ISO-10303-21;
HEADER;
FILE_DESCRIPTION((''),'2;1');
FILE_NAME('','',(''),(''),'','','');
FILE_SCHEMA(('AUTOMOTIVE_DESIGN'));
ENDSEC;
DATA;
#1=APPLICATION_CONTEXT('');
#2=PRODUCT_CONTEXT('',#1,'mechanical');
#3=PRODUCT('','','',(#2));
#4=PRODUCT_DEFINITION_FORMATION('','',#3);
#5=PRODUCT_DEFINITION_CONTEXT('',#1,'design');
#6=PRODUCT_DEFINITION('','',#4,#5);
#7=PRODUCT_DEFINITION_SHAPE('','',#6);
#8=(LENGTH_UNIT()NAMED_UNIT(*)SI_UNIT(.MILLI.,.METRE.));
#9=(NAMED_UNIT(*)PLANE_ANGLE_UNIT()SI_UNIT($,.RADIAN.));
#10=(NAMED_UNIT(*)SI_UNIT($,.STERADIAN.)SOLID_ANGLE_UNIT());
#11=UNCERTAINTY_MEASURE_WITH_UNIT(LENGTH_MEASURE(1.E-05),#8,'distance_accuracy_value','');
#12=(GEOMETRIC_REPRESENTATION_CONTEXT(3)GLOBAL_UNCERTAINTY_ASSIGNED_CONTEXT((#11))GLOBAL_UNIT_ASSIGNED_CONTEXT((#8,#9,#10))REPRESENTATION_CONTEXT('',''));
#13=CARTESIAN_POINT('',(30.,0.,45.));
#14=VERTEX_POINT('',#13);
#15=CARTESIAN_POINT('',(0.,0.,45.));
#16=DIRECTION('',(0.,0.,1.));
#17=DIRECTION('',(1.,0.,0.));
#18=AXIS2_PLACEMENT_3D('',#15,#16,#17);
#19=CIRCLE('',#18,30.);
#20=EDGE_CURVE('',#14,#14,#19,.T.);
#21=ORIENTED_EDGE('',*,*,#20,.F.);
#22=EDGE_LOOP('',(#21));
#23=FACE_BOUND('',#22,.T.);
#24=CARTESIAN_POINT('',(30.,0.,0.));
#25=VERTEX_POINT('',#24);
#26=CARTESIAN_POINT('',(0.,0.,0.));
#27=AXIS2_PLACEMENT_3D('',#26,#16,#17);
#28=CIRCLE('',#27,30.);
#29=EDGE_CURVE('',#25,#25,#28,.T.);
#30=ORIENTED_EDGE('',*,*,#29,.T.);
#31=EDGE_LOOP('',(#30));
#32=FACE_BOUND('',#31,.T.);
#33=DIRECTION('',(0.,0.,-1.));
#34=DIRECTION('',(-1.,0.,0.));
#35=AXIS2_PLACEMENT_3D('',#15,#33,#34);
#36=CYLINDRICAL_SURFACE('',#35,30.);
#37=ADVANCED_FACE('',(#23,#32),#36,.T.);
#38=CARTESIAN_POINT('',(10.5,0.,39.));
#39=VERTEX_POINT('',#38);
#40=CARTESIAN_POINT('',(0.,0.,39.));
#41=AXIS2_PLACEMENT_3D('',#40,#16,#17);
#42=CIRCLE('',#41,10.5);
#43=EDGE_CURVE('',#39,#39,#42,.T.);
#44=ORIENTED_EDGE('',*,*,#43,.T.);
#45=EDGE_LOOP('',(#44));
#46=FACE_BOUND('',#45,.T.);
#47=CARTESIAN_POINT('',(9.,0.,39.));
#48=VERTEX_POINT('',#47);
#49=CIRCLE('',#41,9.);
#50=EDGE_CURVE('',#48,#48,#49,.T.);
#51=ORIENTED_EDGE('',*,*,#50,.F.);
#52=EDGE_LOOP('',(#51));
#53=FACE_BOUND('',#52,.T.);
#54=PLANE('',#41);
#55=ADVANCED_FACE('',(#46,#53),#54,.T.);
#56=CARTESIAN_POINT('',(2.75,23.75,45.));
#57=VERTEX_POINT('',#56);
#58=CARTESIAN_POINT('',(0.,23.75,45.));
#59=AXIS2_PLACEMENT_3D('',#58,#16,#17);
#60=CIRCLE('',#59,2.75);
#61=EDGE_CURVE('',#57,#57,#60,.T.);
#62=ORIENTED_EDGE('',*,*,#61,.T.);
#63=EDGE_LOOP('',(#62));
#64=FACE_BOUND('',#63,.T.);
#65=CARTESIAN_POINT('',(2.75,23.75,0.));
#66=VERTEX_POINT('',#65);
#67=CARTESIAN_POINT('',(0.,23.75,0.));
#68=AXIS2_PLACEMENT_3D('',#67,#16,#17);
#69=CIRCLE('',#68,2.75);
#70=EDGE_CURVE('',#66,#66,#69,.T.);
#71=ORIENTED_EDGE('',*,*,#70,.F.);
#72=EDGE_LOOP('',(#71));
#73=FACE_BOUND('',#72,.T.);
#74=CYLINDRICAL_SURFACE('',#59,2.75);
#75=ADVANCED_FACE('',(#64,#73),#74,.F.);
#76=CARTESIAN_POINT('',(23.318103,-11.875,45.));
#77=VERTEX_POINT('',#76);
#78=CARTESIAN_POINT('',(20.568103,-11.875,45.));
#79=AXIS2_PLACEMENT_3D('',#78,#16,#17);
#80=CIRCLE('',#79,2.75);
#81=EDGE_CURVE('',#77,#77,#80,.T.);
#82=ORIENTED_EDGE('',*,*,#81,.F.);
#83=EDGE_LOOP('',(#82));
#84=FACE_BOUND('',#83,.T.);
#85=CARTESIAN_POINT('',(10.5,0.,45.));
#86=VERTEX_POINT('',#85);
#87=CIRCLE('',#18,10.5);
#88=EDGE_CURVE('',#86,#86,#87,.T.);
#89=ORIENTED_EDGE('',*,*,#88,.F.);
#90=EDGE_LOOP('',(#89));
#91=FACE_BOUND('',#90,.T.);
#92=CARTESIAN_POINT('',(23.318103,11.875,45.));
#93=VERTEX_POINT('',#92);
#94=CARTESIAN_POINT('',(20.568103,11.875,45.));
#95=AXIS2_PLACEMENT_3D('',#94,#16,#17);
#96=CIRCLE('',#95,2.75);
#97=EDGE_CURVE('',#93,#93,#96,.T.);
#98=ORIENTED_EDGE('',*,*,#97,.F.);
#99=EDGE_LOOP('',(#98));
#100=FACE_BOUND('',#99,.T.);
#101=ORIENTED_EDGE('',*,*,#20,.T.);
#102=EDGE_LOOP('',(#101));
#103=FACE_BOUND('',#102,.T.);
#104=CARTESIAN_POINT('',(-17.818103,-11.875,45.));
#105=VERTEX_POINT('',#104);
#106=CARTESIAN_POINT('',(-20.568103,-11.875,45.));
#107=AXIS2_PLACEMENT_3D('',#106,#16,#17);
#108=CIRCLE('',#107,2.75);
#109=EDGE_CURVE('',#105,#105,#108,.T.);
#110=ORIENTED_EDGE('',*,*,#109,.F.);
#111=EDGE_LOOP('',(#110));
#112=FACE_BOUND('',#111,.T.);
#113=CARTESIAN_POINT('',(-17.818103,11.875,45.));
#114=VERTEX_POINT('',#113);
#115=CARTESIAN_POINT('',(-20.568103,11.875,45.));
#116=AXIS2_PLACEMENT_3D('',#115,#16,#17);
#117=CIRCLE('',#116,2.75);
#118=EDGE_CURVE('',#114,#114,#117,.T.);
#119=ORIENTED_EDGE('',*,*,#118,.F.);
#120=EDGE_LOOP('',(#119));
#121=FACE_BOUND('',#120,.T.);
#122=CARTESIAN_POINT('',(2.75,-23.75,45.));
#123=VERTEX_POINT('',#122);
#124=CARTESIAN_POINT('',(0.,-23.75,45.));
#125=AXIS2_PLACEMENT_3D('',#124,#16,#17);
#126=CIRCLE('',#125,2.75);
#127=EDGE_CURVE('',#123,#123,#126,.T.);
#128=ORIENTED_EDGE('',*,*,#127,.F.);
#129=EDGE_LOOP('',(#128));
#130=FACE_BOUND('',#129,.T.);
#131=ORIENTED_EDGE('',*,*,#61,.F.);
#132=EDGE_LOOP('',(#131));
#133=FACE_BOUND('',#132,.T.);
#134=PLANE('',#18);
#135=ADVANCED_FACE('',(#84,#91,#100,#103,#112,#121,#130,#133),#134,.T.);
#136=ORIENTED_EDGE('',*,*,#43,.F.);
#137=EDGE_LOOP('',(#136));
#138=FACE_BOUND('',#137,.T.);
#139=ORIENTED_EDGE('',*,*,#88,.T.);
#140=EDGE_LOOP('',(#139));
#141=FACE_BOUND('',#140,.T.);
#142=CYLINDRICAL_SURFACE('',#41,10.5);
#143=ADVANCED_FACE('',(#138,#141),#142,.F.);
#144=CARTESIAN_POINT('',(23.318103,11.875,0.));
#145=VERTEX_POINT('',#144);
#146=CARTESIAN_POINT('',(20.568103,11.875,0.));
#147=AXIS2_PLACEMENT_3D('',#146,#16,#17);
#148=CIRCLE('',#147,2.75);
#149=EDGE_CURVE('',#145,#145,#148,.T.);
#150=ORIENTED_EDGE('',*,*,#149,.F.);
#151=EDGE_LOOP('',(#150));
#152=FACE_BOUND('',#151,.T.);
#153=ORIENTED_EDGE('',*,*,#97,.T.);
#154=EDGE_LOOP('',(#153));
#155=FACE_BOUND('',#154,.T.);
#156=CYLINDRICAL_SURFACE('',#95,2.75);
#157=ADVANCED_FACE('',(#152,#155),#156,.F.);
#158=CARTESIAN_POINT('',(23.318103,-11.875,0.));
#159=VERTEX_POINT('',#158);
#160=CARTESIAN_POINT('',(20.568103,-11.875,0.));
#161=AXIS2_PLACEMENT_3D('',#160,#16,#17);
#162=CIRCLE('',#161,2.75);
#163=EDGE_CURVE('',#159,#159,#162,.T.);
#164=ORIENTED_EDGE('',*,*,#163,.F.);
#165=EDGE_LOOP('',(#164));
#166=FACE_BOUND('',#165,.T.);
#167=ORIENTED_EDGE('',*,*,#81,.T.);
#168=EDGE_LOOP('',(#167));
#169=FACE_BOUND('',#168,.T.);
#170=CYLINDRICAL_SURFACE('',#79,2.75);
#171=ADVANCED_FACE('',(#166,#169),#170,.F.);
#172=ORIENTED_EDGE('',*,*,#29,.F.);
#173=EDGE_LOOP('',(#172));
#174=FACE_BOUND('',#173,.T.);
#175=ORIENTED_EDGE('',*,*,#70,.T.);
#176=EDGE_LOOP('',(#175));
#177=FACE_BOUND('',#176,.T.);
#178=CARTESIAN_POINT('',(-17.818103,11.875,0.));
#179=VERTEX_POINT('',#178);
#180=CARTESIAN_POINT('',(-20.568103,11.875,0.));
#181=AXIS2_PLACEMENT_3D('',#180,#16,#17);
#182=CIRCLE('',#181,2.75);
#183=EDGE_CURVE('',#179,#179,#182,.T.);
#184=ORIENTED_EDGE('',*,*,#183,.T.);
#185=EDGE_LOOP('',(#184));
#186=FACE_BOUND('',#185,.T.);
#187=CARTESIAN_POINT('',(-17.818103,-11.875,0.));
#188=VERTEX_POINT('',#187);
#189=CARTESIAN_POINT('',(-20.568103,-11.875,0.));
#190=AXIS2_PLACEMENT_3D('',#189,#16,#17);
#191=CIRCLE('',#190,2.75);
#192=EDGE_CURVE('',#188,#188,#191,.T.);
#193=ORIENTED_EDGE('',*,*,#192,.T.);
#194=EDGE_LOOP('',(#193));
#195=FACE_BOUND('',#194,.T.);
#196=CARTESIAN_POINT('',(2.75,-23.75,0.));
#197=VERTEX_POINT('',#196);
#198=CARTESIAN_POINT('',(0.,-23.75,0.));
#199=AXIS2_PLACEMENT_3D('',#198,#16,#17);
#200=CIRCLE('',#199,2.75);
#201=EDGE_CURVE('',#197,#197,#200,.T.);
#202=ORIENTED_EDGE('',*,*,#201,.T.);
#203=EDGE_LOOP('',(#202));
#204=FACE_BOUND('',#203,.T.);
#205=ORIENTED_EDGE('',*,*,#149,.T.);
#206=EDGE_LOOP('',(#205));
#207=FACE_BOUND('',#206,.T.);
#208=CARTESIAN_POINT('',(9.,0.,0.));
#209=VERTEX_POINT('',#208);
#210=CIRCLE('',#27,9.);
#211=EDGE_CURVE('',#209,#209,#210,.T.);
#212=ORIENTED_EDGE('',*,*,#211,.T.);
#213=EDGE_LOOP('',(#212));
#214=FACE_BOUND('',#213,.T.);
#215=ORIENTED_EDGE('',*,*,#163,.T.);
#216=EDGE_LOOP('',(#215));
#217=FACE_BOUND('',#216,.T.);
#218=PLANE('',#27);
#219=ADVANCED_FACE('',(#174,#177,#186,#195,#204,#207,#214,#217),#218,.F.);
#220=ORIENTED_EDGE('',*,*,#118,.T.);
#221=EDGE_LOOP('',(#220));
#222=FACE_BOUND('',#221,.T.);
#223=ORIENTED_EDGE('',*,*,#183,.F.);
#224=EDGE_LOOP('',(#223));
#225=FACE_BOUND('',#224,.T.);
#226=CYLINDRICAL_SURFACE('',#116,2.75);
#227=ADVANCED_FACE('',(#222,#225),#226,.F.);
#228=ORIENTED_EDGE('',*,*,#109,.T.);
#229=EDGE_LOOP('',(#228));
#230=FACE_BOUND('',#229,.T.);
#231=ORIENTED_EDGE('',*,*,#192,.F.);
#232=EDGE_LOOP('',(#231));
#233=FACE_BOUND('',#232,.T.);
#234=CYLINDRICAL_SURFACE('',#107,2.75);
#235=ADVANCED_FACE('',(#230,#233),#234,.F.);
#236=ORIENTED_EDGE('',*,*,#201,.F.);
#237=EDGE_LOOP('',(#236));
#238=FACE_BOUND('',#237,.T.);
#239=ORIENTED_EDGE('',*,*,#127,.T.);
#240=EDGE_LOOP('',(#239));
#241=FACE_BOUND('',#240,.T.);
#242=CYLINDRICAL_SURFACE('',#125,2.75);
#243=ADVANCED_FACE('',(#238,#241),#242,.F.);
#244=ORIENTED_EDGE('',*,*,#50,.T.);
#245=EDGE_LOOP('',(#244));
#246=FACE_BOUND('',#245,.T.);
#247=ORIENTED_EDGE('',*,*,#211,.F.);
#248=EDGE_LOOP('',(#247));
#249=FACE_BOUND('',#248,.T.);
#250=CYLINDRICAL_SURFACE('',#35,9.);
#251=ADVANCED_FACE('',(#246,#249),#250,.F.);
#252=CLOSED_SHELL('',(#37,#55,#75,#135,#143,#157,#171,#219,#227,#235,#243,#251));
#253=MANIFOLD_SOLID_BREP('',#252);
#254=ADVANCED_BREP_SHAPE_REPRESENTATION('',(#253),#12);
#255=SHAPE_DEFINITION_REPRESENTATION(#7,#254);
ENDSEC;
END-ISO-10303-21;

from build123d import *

# Parameters (mm, degrees)
SKETCH1_R            = 30
SKETCH1_R_2          = 9
BOSS_EXTRUDE1_DEPTH  = 45
M5_CLEARANCE_HOLE1_D = 5.5
SKETCH4_R            = 10.5
CUT_EXTRUDE1_DEPTH   = 6


with BuildPart() as part:
    # Sketch1 → Boss-Extrude1 (new body)
    with BuildSketch(Plane.XY):
        Circle(SKETCH1_R)
        Circle(SKETCH1_R_2, mode=Mode.SUBTRACT)
    extrude(amount=BOSS_EXTRUDE1_DEPTH)

    # M5 Clearance Hole1 (through all)
    with Locations(Plane.XY.offset(45)):
        with Locations((0, 23.75), (20.56810334, 11.875), (20.56810334, -11.875), (0, -23.75), (-20.56810334, -11.875), (-20.56810334, 11.875), (0, 0)):
            Hole(M5_CLEARANCE_HOLE1_D / 2)

    # Sketch4 → Cut-Extrude1 (cut)
    with BuildSketch(Plane.XY.offset(45)):
        Circle(SKETCH4_R)
    extrude(amount=-CUT_EXTRUDE1_DEPTH, mode=Mode.SUBTRACT)


solid = part.part
